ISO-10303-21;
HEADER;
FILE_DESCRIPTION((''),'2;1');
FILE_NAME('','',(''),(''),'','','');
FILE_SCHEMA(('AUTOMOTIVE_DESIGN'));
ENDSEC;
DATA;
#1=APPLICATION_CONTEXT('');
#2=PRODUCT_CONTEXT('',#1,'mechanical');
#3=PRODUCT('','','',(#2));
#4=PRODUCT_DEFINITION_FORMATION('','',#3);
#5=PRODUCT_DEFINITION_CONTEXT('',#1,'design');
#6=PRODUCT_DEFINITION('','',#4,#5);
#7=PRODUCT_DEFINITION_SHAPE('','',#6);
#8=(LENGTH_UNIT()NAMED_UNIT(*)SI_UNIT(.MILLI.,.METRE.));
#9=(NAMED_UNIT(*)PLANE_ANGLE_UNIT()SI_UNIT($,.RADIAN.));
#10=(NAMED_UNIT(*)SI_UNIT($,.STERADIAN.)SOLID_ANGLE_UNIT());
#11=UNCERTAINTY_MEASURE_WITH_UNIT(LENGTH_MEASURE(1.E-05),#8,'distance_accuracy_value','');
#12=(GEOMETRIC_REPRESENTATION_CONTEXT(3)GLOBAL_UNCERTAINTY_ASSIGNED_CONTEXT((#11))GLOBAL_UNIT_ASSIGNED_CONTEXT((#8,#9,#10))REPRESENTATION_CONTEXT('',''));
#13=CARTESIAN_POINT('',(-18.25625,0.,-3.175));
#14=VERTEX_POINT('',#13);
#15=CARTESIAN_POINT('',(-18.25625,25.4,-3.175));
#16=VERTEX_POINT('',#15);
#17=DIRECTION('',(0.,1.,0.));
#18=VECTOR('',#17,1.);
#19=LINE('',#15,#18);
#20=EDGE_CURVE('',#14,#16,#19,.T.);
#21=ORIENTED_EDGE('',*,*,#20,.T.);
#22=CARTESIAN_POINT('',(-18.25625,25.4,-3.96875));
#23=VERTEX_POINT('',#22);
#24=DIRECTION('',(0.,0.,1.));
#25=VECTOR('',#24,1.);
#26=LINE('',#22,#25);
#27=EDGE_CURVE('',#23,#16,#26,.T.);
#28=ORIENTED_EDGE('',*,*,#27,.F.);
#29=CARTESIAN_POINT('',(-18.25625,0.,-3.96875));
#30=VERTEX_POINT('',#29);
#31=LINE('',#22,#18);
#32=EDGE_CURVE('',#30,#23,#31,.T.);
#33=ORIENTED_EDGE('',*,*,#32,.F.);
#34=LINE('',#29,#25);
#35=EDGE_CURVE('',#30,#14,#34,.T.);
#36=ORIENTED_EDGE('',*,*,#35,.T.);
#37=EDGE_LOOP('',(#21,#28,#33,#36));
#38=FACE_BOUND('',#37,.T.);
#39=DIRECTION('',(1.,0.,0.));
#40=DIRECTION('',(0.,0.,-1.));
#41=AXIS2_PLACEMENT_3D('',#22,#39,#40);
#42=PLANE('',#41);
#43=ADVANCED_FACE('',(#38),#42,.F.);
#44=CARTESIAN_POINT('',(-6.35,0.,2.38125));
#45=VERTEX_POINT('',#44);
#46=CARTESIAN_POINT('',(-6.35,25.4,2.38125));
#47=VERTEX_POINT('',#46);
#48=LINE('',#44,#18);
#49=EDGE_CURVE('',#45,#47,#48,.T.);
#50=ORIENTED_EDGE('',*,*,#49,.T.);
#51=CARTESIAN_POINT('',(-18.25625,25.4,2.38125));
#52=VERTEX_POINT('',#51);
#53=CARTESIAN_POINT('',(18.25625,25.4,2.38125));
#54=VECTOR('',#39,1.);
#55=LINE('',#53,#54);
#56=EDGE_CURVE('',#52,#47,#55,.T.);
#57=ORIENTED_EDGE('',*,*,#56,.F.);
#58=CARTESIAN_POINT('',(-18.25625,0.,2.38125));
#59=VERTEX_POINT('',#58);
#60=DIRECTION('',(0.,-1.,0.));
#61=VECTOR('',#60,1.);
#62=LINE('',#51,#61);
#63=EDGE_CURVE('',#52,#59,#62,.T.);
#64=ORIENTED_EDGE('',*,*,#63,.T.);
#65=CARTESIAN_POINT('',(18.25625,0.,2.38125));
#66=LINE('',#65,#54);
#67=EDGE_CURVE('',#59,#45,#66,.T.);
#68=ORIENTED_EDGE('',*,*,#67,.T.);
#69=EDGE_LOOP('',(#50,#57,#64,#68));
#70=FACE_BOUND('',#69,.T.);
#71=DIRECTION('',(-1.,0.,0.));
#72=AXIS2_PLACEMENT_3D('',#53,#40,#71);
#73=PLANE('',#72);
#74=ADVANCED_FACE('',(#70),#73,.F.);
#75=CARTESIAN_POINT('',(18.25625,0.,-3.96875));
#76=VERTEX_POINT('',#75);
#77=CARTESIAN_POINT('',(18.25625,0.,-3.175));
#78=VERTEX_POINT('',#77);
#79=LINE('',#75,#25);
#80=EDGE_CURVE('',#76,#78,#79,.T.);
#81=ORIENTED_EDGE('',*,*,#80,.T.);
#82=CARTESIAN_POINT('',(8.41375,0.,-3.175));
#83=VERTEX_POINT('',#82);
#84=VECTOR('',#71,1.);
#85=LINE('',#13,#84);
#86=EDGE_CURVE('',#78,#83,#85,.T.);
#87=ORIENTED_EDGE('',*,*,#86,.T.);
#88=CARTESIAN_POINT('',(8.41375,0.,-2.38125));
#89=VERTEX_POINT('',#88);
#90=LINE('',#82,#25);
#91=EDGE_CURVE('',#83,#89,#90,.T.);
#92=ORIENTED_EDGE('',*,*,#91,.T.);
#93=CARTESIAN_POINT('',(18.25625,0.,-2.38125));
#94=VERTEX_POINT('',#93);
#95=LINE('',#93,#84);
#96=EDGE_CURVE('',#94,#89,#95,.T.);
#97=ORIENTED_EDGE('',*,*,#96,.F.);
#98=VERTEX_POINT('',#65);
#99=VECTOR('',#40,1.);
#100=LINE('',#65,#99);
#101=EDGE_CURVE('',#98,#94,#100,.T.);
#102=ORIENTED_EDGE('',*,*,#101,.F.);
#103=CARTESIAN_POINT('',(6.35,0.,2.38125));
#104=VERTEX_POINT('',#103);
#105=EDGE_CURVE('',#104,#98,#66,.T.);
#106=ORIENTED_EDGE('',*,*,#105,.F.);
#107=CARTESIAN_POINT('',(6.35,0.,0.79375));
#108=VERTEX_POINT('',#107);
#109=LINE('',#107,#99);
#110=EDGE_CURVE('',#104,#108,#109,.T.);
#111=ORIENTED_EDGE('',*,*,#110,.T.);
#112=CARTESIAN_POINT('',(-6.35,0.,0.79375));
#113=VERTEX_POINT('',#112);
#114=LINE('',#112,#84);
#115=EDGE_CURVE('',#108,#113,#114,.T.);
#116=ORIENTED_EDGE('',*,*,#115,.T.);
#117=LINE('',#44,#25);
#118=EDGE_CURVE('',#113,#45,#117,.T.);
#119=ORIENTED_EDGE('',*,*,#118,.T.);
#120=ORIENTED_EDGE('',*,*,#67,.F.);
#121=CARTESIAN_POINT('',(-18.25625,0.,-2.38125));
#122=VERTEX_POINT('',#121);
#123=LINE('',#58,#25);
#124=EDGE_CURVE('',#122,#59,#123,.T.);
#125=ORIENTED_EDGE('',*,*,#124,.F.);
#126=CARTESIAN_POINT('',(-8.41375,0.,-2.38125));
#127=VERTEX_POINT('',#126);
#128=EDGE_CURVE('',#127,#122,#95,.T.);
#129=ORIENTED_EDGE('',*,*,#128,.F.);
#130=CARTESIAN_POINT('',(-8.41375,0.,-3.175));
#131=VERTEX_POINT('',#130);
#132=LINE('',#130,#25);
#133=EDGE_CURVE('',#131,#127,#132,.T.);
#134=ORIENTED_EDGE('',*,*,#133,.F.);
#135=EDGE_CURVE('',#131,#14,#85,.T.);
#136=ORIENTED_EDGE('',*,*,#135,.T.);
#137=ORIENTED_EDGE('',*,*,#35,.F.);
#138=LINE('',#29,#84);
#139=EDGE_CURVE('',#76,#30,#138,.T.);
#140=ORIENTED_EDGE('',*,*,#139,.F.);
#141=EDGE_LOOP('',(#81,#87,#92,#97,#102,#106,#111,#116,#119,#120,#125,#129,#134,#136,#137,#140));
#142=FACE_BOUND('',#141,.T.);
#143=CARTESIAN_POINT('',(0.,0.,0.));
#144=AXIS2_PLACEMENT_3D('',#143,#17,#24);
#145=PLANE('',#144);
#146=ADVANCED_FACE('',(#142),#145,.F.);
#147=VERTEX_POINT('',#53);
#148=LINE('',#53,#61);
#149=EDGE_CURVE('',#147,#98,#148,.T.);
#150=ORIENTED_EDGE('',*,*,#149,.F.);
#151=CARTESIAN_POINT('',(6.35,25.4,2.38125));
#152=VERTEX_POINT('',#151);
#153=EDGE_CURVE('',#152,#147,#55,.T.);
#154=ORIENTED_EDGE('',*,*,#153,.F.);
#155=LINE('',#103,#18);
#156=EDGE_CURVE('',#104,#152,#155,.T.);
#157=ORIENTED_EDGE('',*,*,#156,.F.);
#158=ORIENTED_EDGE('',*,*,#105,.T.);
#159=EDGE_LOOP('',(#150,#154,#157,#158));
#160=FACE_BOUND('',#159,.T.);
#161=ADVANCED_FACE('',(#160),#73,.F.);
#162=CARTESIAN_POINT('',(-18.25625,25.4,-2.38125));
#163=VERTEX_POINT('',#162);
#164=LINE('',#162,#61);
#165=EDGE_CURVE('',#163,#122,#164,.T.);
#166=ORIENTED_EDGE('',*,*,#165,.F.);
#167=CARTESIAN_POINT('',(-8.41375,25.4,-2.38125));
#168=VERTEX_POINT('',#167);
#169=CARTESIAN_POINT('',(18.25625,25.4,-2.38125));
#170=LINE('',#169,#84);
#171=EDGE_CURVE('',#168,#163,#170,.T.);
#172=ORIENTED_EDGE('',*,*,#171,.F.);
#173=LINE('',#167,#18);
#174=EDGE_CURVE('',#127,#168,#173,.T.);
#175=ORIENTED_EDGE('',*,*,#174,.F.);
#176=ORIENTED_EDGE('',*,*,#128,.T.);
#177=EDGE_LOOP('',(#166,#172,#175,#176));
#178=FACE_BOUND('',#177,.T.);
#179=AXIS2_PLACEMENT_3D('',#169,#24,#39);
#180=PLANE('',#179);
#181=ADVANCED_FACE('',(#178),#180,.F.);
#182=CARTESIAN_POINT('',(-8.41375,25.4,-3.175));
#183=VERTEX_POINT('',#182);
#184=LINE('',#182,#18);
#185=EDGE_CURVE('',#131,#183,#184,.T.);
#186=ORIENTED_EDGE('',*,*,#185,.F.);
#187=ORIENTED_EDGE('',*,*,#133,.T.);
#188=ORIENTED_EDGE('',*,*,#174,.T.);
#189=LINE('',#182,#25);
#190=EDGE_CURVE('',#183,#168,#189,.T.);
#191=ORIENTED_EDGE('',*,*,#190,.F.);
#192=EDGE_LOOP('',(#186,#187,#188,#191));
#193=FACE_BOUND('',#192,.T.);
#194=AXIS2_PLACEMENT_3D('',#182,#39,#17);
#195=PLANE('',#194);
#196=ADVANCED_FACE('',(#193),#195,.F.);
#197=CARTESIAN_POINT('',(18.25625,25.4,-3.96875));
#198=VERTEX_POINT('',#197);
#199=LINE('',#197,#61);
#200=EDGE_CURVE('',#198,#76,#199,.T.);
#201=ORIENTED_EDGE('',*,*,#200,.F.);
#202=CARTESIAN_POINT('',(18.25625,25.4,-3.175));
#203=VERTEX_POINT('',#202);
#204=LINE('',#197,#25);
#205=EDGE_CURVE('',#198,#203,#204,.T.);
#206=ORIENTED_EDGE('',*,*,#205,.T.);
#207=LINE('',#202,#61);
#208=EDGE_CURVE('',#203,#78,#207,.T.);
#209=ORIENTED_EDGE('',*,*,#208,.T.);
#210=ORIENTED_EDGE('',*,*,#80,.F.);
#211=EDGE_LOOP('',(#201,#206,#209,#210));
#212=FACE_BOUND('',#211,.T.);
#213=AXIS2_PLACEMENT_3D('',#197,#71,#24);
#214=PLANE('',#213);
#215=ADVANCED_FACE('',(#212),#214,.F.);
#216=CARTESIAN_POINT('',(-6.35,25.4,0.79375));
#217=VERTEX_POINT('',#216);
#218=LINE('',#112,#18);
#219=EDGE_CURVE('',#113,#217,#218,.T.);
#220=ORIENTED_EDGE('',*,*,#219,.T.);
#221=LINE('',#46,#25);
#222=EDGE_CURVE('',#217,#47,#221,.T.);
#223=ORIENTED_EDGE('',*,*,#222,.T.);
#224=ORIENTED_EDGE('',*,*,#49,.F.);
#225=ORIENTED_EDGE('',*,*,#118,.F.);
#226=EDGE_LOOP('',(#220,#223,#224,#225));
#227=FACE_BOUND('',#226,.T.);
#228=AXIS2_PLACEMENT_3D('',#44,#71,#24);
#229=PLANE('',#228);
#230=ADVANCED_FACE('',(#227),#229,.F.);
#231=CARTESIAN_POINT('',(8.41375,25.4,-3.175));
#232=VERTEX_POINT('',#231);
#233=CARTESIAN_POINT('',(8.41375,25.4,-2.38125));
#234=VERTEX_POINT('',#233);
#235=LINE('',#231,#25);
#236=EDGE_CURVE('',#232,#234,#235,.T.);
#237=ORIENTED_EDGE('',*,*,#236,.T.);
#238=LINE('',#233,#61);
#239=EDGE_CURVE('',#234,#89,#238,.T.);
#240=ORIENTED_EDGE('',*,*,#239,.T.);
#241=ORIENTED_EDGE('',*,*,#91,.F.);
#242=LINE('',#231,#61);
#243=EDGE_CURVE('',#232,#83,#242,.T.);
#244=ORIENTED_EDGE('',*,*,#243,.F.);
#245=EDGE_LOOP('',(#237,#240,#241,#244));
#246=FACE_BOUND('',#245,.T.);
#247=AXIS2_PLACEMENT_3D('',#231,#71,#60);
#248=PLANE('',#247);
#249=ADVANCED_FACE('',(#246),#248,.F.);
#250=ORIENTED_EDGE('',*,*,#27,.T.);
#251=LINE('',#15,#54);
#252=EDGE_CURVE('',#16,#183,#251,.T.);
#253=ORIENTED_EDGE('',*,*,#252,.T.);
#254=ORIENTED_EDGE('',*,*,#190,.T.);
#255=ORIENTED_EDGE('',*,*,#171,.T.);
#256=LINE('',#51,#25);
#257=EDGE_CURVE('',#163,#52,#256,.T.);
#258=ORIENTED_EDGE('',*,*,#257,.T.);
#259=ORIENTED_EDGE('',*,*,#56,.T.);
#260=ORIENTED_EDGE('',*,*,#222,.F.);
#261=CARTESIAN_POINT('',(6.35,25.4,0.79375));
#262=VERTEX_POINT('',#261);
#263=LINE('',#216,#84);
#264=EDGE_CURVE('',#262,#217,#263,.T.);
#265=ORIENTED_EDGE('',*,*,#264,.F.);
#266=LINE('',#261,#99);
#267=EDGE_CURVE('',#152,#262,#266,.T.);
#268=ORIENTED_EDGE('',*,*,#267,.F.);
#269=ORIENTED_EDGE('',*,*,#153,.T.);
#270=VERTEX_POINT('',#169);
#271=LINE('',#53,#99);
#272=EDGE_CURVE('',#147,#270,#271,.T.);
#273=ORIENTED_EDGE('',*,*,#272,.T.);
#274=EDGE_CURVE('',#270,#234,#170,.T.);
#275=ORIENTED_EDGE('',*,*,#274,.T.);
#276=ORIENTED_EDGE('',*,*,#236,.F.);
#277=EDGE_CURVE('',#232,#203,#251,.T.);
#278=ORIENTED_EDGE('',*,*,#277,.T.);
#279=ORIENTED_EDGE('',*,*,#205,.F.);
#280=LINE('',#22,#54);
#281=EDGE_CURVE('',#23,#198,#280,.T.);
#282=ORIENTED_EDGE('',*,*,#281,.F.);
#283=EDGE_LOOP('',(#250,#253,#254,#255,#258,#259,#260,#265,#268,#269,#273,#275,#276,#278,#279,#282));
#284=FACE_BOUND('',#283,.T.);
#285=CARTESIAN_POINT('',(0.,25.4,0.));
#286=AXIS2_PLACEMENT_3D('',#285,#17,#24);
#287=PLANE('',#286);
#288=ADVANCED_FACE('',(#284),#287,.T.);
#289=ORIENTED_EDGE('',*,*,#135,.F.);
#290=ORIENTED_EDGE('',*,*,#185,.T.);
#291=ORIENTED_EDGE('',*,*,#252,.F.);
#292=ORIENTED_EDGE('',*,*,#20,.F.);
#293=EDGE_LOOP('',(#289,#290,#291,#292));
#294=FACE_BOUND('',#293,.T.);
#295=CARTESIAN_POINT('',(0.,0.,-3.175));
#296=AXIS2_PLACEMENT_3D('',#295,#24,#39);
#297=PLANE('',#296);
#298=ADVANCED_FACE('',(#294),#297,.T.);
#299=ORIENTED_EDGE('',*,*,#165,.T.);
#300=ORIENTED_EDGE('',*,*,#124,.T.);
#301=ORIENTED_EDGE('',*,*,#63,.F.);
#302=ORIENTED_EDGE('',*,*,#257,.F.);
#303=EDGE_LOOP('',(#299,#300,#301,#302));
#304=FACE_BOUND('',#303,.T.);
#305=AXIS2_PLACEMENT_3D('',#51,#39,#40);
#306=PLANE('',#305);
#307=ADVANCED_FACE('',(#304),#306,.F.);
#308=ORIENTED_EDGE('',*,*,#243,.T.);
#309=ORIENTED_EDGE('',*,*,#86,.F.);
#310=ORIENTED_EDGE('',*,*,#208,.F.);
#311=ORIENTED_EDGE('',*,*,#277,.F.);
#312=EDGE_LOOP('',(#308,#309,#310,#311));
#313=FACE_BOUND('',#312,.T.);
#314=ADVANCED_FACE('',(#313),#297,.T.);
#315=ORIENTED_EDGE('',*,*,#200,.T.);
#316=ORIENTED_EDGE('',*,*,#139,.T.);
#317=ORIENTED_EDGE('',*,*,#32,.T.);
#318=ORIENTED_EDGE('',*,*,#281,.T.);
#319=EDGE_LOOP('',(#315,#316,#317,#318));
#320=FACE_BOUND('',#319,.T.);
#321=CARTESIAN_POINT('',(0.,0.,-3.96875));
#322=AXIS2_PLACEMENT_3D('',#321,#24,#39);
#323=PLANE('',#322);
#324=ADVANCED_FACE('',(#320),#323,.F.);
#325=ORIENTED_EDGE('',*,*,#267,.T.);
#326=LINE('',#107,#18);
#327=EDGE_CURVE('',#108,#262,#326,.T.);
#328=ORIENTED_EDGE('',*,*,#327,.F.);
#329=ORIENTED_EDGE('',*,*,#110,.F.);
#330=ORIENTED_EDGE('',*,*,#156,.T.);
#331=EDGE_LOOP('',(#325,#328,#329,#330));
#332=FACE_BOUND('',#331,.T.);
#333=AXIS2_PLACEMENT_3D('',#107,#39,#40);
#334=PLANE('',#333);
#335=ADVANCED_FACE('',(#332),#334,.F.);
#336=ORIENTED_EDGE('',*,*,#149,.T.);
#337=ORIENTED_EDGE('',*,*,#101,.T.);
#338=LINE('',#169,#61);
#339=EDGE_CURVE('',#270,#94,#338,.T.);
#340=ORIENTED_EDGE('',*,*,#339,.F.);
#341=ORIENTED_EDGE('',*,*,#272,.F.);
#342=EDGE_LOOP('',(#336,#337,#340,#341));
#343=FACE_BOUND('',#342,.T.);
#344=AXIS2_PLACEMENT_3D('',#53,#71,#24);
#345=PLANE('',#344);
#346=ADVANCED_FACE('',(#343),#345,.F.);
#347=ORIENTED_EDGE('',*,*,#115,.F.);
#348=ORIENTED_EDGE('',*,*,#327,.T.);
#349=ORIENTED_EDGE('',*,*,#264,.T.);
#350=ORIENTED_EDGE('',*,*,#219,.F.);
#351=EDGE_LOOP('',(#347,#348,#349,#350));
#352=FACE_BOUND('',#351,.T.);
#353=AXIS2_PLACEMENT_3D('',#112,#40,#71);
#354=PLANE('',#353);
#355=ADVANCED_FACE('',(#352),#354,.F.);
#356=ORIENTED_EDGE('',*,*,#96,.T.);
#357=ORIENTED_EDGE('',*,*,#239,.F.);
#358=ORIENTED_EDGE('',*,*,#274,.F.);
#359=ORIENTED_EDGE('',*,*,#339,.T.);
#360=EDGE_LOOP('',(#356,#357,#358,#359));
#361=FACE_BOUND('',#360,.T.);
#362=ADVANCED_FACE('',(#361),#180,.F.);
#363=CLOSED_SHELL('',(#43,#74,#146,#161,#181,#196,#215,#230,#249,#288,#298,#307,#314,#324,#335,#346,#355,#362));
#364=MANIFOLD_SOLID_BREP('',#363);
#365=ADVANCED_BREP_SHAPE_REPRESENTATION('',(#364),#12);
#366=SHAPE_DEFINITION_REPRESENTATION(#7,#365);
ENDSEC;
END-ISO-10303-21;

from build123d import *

# Parameters (mm, degrees)
SKETCH1_W           = 36.5125
SKETCH1_H           = 4.7625
BOSS_EXTRUDE1_DEPTH = 25.4
SKETCH2_W           = 12.7
SKETCH2_H           = 1.5875
CUT_EXTRUDE1_DEPTH  = 25.4
SKETCH3_W           = 16.8275
SKETCH3_H           = 25.4
BOSS_EXTRUDE2_DEPTH = 0.79375
SKETCH4_W           = 36.5125
SKETCH4_H           = 25.4
BOSS_EXTRUDE3_DEPTH = 0.79375


with BuildPart() as part:
    # Sketch1 → Boss-Extrude1 (new body)
    with BuildSketch(Plane(origin=(0, 0, 0), x_dir=(1, 0, 0), z_dir=(0, 1, 0))):
        Rectangle(SKETCH1_W, SKETCH1_H)
    extrude(amount=BOSS_EXTRUDE1_DEPTH)

    # Sketch2 → Cut-Extrude1 (cut)
    with BuildSketch(Plane(origin=(0, 25.4, 0), x_dir=(1, 0, 0), z_dir=(0, 1, 0))):
        with Locations((0, -1.5875)):
            Rectangle(SKETCH2_W, SKETCH2_H)
    extrude(amount=-CUT_EXTRUDE1_DEPTH, mode=Mode.SUBTRACT)

    # Sketch3 → Boss-Extrude2 (add)
    with BuildSketch(Plane(origin=(0, 0, -2.38125), x_dir=(-1, 0, 0), z_dir=(0, 0, -1))):
        with Locations((0, 12.7)):
            Rectangle(SKETCH3_W, SKETCH3_H)
    extrude(amount=BOSS_EXTRUDE2_DEPTH)

    # Sketch4 → Boss-Extrude3 (add)
    with BuildSketch(Plane(origin=(0, 0, -3.175), x_dir=(-1, 0, 0), z_dir=(0, 0, -1))):
        with Locations((0, 12.7)):
            Rectangle(SKETCH4_W, SKETCH4_H)
    extrude(amount=BOSS_EXTRUDE3_DEPTH)


solid = part.part
